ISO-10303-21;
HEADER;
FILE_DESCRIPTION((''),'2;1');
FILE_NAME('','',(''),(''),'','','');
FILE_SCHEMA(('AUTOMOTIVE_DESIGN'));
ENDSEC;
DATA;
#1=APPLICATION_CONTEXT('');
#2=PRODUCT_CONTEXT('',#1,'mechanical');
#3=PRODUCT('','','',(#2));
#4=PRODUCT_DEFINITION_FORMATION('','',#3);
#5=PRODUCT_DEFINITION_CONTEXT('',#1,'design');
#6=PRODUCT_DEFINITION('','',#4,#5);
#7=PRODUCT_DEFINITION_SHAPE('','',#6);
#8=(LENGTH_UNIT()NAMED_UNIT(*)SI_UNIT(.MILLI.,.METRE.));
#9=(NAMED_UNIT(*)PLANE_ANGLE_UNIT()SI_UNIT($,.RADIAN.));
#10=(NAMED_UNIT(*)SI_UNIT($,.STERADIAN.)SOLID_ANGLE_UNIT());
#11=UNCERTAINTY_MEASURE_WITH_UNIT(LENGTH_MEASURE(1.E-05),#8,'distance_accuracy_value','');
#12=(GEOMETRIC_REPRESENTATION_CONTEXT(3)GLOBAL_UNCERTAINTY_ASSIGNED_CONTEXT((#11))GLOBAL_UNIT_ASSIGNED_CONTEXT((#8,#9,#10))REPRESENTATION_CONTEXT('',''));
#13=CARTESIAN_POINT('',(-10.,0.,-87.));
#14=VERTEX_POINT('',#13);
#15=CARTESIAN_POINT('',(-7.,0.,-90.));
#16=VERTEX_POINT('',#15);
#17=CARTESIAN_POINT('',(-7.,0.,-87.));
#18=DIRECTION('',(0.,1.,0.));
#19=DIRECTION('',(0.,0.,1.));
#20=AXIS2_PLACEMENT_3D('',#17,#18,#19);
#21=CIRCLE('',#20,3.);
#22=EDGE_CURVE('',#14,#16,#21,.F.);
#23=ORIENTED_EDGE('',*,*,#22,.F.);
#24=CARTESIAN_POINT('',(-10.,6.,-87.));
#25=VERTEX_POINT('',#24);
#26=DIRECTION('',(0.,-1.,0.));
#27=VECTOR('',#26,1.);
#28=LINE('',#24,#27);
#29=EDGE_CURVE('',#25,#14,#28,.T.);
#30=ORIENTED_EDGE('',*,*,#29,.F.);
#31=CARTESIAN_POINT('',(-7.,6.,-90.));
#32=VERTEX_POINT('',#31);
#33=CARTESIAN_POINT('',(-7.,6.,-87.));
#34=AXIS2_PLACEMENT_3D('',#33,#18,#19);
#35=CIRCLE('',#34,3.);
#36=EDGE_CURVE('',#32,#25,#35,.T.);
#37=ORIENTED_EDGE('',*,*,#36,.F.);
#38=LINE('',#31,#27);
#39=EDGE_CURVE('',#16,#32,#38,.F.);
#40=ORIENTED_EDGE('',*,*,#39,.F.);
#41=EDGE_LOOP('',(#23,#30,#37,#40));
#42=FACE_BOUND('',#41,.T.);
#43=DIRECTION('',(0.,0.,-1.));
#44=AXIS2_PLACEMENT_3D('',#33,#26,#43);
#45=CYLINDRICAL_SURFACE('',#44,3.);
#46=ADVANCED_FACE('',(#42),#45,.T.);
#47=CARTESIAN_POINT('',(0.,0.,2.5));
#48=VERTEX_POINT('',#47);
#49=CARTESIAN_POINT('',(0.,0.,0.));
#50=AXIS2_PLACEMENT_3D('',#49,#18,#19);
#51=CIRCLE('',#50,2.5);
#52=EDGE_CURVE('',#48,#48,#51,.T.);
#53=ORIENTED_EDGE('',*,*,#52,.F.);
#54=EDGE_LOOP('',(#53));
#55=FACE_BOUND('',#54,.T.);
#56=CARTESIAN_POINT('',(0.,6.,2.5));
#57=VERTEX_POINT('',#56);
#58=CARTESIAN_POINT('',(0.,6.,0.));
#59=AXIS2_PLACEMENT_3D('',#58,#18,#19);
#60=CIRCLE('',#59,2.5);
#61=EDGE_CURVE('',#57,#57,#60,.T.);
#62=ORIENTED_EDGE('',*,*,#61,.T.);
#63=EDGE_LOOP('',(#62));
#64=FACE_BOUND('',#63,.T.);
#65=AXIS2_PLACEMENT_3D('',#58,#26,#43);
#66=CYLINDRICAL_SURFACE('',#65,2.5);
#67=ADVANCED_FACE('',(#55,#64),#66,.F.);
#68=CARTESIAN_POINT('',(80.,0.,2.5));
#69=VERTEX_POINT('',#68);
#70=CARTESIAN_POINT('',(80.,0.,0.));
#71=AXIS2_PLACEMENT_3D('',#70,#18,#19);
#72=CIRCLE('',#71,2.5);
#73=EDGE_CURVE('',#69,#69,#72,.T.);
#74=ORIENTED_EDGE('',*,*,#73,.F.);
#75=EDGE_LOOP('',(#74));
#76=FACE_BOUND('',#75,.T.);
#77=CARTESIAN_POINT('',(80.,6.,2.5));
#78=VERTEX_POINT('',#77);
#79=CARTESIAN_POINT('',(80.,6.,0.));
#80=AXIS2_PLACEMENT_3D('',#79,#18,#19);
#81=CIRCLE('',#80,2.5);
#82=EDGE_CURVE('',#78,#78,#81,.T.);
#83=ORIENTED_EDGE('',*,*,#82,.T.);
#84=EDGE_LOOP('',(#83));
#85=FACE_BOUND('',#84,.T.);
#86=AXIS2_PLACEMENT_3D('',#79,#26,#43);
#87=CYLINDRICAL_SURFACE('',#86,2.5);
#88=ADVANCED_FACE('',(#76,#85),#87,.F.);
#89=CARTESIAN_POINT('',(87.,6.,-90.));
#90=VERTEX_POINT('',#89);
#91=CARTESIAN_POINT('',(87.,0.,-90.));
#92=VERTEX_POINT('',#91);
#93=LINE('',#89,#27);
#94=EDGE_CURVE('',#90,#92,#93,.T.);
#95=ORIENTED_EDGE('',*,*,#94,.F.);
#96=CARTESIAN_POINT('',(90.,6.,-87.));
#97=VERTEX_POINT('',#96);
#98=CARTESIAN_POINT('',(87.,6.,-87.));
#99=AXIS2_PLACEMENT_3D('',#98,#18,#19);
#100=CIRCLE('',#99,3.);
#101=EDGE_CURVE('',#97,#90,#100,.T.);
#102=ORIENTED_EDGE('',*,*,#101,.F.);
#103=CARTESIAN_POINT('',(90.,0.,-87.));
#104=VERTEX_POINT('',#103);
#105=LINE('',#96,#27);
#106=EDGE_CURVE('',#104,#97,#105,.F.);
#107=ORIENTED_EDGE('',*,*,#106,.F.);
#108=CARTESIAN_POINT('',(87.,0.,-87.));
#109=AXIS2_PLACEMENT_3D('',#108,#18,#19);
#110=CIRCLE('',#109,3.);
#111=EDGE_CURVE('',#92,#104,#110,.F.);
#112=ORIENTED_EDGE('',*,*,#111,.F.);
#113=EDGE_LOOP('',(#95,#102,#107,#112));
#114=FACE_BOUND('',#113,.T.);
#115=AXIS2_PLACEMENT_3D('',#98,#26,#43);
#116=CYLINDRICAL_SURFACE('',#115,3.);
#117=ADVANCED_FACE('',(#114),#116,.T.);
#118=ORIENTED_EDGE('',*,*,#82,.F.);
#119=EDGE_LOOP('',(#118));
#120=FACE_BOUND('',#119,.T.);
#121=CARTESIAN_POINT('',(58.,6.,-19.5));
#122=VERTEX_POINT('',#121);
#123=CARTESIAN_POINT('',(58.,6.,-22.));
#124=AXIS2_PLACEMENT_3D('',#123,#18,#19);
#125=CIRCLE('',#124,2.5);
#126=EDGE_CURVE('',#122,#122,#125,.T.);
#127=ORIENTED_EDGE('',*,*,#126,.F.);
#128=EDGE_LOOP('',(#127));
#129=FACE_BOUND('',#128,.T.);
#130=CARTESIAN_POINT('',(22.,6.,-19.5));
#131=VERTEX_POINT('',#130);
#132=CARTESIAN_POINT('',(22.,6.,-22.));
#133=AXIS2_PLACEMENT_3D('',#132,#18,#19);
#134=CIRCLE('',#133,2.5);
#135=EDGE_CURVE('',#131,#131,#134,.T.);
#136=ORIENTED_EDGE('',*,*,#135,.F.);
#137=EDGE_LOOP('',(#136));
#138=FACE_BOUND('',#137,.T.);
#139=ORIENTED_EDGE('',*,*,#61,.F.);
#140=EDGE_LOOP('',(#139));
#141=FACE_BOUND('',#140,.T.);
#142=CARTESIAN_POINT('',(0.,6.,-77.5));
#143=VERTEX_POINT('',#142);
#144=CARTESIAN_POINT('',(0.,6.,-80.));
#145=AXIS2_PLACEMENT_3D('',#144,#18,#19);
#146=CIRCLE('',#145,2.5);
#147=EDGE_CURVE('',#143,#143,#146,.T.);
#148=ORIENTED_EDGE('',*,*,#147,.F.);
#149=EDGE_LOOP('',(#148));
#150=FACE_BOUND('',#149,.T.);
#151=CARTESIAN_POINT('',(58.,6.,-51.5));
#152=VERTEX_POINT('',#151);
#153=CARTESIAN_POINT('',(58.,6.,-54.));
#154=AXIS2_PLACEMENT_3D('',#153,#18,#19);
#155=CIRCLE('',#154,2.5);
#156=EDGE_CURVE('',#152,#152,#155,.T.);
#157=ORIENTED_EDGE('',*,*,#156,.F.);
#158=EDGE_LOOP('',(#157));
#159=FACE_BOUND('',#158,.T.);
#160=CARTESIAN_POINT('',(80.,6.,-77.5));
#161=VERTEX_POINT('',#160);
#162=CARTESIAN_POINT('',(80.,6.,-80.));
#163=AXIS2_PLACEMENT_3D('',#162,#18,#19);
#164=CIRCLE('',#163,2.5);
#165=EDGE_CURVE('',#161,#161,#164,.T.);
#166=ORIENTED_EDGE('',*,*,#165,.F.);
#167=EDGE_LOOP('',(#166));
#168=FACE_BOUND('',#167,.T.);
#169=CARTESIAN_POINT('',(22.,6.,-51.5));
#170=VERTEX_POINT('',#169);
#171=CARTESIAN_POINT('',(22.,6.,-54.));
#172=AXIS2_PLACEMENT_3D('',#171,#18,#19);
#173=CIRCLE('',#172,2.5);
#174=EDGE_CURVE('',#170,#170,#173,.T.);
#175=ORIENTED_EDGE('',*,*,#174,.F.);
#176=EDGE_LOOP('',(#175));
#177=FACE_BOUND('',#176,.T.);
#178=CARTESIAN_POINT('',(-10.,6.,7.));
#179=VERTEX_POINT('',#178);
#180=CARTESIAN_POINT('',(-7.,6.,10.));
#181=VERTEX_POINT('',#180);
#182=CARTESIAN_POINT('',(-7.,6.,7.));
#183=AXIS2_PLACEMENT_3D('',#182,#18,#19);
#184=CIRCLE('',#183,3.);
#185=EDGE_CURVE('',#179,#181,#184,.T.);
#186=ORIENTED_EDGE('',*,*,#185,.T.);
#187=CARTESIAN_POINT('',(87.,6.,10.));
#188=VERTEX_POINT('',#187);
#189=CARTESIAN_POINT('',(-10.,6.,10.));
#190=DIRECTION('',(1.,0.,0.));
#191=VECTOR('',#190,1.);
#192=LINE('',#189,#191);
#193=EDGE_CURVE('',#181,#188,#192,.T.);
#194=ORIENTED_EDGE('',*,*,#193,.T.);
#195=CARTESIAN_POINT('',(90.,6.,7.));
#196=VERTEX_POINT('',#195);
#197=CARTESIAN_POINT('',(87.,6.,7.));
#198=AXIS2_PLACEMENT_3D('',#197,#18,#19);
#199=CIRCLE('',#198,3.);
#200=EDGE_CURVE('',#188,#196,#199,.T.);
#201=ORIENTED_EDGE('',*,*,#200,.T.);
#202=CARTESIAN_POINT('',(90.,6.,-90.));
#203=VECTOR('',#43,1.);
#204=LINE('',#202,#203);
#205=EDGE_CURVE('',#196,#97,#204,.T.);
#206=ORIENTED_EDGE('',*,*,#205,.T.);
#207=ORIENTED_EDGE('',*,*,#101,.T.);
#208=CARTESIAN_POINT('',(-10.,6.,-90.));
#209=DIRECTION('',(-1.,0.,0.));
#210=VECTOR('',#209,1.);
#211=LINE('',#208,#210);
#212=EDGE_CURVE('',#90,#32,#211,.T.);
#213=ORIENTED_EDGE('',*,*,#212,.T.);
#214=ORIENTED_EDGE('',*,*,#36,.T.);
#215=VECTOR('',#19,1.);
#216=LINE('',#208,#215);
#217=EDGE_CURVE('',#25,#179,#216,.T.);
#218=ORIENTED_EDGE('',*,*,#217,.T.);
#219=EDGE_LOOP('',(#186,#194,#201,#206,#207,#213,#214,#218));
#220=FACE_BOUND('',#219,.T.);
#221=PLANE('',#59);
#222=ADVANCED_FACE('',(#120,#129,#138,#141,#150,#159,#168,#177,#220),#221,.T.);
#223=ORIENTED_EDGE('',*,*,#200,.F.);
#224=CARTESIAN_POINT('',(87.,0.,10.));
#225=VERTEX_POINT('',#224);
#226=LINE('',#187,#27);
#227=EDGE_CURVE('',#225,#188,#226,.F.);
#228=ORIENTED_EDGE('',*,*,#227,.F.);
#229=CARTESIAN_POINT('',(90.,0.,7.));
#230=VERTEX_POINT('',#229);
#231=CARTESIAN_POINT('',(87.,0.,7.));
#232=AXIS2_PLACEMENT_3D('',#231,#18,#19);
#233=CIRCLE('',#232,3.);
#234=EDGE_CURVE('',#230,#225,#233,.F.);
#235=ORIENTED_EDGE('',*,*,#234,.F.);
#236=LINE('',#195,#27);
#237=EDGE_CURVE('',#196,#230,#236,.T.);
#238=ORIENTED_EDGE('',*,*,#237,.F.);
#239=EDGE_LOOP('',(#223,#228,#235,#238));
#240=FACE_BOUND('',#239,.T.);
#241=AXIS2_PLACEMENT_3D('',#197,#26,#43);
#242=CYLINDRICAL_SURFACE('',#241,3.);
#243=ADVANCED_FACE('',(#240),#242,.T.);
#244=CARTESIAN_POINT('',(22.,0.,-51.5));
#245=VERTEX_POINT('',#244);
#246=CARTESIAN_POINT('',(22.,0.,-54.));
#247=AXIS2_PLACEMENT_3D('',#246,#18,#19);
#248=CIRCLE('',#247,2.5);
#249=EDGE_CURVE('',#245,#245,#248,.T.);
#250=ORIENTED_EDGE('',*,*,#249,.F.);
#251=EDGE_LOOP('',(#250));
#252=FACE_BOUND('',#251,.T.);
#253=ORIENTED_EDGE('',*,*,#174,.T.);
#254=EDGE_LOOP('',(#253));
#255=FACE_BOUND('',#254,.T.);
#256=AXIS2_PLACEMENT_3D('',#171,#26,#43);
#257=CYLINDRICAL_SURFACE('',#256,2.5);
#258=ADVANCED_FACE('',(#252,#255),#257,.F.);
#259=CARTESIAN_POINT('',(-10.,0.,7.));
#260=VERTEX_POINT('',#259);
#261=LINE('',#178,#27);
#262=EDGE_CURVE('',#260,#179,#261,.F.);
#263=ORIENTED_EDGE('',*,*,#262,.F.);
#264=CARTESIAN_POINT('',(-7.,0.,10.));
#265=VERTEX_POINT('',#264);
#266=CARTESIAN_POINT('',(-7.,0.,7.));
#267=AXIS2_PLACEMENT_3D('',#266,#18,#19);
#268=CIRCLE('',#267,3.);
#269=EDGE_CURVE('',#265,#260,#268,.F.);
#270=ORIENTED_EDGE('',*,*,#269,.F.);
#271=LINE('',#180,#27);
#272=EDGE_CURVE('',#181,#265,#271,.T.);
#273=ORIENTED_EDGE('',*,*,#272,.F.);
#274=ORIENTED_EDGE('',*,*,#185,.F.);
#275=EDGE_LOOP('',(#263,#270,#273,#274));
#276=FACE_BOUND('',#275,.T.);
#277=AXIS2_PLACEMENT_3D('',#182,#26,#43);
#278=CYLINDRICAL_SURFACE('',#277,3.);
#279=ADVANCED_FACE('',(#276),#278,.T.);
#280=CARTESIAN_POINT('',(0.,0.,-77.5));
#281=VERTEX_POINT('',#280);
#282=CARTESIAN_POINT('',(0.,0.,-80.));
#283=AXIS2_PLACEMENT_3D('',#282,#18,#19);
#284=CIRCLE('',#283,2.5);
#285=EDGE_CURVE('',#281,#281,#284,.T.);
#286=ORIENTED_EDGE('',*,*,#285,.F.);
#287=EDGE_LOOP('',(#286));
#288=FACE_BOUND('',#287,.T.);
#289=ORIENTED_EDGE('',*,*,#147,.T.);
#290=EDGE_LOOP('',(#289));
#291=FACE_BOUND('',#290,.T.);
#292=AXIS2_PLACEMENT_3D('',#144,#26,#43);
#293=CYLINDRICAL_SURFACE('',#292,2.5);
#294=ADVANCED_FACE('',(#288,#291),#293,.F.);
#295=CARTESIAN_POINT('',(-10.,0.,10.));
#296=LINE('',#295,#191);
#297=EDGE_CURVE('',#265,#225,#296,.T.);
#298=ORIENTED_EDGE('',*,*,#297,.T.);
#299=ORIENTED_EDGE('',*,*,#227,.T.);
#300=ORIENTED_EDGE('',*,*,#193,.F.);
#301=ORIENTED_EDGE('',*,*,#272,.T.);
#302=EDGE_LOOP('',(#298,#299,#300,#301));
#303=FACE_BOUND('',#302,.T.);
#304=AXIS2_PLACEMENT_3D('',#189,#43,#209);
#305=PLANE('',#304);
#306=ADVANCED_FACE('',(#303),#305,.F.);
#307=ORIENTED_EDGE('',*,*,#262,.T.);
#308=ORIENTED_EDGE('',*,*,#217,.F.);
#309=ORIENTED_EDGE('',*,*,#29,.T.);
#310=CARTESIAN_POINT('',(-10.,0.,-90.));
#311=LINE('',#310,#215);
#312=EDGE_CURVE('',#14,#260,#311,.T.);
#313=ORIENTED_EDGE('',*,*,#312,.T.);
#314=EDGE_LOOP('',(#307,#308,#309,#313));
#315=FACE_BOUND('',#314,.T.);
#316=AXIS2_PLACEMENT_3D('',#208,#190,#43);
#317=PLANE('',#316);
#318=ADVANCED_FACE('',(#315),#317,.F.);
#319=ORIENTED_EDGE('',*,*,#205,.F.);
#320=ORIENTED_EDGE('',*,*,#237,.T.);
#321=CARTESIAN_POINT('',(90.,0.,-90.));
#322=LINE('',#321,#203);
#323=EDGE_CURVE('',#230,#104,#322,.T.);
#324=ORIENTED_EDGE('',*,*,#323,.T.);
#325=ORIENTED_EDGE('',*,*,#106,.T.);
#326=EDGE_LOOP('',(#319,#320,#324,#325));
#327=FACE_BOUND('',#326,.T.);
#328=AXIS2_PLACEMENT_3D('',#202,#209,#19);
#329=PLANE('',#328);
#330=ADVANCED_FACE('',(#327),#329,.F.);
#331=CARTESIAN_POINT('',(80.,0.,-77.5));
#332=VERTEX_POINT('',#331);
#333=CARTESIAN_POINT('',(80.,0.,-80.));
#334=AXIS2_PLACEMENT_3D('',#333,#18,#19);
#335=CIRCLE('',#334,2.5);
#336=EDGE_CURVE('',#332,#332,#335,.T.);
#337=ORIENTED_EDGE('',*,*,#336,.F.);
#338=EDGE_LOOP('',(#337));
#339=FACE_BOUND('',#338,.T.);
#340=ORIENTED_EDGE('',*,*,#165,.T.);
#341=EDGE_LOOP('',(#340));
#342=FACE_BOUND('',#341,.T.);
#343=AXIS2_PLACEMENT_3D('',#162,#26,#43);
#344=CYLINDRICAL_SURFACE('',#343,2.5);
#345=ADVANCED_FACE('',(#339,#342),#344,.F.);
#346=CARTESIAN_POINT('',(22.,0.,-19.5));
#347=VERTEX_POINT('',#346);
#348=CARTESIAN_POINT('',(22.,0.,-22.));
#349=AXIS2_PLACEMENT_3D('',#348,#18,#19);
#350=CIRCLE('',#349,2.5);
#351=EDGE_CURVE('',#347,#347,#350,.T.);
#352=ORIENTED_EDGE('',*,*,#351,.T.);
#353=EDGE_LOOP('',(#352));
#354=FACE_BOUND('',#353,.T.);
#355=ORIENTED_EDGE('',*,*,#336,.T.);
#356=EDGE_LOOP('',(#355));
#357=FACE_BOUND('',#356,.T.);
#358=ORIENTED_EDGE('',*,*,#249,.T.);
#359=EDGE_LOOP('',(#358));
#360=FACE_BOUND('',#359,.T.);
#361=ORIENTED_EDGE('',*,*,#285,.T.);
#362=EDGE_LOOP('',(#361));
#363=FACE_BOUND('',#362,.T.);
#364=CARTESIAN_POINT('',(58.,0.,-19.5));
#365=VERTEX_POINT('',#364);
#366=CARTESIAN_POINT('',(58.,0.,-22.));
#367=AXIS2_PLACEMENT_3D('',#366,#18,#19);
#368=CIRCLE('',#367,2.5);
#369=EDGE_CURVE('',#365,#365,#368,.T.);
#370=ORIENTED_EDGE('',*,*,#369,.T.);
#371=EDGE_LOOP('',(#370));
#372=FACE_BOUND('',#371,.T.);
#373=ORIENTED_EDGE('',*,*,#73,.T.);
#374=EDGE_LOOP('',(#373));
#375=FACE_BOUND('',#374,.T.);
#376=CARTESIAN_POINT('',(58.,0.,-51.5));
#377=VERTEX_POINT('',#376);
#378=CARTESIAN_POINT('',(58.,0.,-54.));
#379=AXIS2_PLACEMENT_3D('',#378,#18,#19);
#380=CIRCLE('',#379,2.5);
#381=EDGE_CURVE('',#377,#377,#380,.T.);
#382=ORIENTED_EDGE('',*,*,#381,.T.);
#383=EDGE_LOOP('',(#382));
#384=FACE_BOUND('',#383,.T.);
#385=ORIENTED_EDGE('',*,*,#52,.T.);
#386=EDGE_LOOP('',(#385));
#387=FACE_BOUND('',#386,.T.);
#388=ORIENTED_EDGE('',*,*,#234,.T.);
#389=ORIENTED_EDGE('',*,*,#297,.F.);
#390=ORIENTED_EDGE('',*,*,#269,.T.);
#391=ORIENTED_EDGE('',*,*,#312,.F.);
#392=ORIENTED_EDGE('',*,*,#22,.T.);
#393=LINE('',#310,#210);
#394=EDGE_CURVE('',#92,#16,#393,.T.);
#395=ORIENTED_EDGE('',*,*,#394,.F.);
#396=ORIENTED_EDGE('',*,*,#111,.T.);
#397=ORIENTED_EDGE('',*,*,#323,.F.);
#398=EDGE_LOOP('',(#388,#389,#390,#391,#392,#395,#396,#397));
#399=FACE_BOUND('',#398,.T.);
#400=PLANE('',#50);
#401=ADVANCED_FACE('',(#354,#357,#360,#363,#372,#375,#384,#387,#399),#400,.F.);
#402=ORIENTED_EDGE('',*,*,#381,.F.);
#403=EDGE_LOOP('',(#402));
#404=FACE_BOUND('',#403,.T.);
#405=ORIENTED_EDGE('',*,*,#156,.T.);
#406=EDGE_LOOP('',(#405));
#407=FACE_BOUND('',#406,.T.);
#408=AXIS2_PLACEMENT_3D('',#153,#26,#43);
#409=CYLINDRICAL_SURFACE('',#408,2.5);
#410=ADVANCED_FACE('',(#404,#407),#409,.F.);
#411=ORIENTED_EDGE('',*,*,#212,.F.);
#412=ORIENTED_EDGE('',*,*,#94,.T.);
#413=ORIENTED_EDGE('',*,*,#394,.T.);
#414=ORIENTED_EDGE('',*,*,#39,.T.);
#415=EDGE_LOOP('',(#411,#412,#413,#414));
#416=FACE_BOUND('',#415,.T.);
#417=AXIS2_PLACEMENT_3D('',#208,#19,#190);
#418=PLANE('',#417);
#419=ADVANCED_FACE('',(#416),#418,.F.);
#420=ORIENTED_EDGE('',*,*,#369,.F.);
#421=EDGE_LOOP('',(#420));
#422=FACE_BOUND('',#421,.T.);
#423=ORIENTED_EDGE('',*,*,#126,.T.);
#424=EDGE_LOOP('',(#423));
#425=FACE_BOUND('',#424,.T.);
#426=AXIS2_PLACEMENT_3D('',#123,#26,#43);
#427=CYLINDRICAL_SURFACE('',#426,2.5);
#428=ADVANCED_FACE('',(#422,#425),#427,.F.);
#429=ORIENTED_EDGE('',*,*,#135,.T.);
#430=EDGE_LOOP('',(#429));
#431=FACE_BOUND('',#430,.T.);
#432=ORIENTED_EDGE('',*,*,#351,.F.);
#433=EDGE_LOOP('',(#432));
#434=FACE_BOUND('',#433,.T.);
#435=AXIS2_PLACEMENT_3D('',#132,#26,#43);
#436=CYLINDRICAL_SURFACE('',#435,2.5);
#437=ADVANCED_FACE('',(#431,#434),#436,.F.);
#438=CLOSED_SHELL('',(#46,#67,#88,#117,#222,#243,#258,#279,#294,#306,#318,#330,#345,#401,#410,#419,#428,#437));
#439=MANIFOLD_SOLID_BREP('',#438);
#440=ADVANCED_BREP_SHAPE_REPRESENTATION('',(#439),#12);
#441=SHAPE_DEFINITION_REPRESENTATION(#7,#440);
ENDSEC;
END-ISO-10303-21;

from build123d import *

# Parameters (mm, degrees)
SKETCH1_W           = 100
SKETCH1_H           = 100
SKETCH1_R           = 2.5
BOSS_EXTRUDE1_DEPTH = 6
FILLET1_R           = 3
FILLET2_R           = 3


with BuildPart() as part:
    # Sketch1 → Boss-Extrude1 (new body)
    with BuildSketch(Plane(origin=(0, 0, 0), x_dir=(1, 0, 0), z_dir=(0, 1, 0))):
        with Locations((40, 40)):
            Rectangle(SKETCH1_W, SKETCH1_H)
        Circle(SKETCH1_R, mode=Mode.SUBTRACT)
        with Locations((80, 0)):
            Circle(SKETCH1_R, mode=Mode.SUBTRACT)
        with Locations((0, 80)):
            Circle(SKETCH1_R, mode=Mode.SUBTRACT)
        with Locations((80, 80)):
            Circle(SKETCH1_R, mode=Mode.SUBTRACT)
        with Locations((22, 22)):
            Circle(SKETCH1_R, mode=Mode.SUBTRACT)
        with Locations((58, 22)):
            Circle(SKETCH1_R, mode=Mode.SUBTRACT)
        with Locations((22, 54)):
            Circle(SKETCH1_R, mode=Mode.SUBTRACT)
        with Locations((58, 54)):
            Circle(SKETCH1_R, mode=Mode.SUBTRACT)
    extrude(amount=BOSS_EXTRUDE1_DEPTH)

    # Fillet1
    fillet1_edges = [part.edges().sort_by_distance(p)[0] for p in [
        (90, 3, 10),
        (-10, 3, 10),
    ]]
    fillet(fillet1_edges, radius=FILLET1_R)

    # Fillet2
    fillet2_edges = [part.edges().sort_by_distance(p)[0] for p in [
        (-10, 3, -90),
        (90, 3, -90),
    ]]
    fillet(fillet2_edges, radius=FILLET2_R)


solid = part.part
